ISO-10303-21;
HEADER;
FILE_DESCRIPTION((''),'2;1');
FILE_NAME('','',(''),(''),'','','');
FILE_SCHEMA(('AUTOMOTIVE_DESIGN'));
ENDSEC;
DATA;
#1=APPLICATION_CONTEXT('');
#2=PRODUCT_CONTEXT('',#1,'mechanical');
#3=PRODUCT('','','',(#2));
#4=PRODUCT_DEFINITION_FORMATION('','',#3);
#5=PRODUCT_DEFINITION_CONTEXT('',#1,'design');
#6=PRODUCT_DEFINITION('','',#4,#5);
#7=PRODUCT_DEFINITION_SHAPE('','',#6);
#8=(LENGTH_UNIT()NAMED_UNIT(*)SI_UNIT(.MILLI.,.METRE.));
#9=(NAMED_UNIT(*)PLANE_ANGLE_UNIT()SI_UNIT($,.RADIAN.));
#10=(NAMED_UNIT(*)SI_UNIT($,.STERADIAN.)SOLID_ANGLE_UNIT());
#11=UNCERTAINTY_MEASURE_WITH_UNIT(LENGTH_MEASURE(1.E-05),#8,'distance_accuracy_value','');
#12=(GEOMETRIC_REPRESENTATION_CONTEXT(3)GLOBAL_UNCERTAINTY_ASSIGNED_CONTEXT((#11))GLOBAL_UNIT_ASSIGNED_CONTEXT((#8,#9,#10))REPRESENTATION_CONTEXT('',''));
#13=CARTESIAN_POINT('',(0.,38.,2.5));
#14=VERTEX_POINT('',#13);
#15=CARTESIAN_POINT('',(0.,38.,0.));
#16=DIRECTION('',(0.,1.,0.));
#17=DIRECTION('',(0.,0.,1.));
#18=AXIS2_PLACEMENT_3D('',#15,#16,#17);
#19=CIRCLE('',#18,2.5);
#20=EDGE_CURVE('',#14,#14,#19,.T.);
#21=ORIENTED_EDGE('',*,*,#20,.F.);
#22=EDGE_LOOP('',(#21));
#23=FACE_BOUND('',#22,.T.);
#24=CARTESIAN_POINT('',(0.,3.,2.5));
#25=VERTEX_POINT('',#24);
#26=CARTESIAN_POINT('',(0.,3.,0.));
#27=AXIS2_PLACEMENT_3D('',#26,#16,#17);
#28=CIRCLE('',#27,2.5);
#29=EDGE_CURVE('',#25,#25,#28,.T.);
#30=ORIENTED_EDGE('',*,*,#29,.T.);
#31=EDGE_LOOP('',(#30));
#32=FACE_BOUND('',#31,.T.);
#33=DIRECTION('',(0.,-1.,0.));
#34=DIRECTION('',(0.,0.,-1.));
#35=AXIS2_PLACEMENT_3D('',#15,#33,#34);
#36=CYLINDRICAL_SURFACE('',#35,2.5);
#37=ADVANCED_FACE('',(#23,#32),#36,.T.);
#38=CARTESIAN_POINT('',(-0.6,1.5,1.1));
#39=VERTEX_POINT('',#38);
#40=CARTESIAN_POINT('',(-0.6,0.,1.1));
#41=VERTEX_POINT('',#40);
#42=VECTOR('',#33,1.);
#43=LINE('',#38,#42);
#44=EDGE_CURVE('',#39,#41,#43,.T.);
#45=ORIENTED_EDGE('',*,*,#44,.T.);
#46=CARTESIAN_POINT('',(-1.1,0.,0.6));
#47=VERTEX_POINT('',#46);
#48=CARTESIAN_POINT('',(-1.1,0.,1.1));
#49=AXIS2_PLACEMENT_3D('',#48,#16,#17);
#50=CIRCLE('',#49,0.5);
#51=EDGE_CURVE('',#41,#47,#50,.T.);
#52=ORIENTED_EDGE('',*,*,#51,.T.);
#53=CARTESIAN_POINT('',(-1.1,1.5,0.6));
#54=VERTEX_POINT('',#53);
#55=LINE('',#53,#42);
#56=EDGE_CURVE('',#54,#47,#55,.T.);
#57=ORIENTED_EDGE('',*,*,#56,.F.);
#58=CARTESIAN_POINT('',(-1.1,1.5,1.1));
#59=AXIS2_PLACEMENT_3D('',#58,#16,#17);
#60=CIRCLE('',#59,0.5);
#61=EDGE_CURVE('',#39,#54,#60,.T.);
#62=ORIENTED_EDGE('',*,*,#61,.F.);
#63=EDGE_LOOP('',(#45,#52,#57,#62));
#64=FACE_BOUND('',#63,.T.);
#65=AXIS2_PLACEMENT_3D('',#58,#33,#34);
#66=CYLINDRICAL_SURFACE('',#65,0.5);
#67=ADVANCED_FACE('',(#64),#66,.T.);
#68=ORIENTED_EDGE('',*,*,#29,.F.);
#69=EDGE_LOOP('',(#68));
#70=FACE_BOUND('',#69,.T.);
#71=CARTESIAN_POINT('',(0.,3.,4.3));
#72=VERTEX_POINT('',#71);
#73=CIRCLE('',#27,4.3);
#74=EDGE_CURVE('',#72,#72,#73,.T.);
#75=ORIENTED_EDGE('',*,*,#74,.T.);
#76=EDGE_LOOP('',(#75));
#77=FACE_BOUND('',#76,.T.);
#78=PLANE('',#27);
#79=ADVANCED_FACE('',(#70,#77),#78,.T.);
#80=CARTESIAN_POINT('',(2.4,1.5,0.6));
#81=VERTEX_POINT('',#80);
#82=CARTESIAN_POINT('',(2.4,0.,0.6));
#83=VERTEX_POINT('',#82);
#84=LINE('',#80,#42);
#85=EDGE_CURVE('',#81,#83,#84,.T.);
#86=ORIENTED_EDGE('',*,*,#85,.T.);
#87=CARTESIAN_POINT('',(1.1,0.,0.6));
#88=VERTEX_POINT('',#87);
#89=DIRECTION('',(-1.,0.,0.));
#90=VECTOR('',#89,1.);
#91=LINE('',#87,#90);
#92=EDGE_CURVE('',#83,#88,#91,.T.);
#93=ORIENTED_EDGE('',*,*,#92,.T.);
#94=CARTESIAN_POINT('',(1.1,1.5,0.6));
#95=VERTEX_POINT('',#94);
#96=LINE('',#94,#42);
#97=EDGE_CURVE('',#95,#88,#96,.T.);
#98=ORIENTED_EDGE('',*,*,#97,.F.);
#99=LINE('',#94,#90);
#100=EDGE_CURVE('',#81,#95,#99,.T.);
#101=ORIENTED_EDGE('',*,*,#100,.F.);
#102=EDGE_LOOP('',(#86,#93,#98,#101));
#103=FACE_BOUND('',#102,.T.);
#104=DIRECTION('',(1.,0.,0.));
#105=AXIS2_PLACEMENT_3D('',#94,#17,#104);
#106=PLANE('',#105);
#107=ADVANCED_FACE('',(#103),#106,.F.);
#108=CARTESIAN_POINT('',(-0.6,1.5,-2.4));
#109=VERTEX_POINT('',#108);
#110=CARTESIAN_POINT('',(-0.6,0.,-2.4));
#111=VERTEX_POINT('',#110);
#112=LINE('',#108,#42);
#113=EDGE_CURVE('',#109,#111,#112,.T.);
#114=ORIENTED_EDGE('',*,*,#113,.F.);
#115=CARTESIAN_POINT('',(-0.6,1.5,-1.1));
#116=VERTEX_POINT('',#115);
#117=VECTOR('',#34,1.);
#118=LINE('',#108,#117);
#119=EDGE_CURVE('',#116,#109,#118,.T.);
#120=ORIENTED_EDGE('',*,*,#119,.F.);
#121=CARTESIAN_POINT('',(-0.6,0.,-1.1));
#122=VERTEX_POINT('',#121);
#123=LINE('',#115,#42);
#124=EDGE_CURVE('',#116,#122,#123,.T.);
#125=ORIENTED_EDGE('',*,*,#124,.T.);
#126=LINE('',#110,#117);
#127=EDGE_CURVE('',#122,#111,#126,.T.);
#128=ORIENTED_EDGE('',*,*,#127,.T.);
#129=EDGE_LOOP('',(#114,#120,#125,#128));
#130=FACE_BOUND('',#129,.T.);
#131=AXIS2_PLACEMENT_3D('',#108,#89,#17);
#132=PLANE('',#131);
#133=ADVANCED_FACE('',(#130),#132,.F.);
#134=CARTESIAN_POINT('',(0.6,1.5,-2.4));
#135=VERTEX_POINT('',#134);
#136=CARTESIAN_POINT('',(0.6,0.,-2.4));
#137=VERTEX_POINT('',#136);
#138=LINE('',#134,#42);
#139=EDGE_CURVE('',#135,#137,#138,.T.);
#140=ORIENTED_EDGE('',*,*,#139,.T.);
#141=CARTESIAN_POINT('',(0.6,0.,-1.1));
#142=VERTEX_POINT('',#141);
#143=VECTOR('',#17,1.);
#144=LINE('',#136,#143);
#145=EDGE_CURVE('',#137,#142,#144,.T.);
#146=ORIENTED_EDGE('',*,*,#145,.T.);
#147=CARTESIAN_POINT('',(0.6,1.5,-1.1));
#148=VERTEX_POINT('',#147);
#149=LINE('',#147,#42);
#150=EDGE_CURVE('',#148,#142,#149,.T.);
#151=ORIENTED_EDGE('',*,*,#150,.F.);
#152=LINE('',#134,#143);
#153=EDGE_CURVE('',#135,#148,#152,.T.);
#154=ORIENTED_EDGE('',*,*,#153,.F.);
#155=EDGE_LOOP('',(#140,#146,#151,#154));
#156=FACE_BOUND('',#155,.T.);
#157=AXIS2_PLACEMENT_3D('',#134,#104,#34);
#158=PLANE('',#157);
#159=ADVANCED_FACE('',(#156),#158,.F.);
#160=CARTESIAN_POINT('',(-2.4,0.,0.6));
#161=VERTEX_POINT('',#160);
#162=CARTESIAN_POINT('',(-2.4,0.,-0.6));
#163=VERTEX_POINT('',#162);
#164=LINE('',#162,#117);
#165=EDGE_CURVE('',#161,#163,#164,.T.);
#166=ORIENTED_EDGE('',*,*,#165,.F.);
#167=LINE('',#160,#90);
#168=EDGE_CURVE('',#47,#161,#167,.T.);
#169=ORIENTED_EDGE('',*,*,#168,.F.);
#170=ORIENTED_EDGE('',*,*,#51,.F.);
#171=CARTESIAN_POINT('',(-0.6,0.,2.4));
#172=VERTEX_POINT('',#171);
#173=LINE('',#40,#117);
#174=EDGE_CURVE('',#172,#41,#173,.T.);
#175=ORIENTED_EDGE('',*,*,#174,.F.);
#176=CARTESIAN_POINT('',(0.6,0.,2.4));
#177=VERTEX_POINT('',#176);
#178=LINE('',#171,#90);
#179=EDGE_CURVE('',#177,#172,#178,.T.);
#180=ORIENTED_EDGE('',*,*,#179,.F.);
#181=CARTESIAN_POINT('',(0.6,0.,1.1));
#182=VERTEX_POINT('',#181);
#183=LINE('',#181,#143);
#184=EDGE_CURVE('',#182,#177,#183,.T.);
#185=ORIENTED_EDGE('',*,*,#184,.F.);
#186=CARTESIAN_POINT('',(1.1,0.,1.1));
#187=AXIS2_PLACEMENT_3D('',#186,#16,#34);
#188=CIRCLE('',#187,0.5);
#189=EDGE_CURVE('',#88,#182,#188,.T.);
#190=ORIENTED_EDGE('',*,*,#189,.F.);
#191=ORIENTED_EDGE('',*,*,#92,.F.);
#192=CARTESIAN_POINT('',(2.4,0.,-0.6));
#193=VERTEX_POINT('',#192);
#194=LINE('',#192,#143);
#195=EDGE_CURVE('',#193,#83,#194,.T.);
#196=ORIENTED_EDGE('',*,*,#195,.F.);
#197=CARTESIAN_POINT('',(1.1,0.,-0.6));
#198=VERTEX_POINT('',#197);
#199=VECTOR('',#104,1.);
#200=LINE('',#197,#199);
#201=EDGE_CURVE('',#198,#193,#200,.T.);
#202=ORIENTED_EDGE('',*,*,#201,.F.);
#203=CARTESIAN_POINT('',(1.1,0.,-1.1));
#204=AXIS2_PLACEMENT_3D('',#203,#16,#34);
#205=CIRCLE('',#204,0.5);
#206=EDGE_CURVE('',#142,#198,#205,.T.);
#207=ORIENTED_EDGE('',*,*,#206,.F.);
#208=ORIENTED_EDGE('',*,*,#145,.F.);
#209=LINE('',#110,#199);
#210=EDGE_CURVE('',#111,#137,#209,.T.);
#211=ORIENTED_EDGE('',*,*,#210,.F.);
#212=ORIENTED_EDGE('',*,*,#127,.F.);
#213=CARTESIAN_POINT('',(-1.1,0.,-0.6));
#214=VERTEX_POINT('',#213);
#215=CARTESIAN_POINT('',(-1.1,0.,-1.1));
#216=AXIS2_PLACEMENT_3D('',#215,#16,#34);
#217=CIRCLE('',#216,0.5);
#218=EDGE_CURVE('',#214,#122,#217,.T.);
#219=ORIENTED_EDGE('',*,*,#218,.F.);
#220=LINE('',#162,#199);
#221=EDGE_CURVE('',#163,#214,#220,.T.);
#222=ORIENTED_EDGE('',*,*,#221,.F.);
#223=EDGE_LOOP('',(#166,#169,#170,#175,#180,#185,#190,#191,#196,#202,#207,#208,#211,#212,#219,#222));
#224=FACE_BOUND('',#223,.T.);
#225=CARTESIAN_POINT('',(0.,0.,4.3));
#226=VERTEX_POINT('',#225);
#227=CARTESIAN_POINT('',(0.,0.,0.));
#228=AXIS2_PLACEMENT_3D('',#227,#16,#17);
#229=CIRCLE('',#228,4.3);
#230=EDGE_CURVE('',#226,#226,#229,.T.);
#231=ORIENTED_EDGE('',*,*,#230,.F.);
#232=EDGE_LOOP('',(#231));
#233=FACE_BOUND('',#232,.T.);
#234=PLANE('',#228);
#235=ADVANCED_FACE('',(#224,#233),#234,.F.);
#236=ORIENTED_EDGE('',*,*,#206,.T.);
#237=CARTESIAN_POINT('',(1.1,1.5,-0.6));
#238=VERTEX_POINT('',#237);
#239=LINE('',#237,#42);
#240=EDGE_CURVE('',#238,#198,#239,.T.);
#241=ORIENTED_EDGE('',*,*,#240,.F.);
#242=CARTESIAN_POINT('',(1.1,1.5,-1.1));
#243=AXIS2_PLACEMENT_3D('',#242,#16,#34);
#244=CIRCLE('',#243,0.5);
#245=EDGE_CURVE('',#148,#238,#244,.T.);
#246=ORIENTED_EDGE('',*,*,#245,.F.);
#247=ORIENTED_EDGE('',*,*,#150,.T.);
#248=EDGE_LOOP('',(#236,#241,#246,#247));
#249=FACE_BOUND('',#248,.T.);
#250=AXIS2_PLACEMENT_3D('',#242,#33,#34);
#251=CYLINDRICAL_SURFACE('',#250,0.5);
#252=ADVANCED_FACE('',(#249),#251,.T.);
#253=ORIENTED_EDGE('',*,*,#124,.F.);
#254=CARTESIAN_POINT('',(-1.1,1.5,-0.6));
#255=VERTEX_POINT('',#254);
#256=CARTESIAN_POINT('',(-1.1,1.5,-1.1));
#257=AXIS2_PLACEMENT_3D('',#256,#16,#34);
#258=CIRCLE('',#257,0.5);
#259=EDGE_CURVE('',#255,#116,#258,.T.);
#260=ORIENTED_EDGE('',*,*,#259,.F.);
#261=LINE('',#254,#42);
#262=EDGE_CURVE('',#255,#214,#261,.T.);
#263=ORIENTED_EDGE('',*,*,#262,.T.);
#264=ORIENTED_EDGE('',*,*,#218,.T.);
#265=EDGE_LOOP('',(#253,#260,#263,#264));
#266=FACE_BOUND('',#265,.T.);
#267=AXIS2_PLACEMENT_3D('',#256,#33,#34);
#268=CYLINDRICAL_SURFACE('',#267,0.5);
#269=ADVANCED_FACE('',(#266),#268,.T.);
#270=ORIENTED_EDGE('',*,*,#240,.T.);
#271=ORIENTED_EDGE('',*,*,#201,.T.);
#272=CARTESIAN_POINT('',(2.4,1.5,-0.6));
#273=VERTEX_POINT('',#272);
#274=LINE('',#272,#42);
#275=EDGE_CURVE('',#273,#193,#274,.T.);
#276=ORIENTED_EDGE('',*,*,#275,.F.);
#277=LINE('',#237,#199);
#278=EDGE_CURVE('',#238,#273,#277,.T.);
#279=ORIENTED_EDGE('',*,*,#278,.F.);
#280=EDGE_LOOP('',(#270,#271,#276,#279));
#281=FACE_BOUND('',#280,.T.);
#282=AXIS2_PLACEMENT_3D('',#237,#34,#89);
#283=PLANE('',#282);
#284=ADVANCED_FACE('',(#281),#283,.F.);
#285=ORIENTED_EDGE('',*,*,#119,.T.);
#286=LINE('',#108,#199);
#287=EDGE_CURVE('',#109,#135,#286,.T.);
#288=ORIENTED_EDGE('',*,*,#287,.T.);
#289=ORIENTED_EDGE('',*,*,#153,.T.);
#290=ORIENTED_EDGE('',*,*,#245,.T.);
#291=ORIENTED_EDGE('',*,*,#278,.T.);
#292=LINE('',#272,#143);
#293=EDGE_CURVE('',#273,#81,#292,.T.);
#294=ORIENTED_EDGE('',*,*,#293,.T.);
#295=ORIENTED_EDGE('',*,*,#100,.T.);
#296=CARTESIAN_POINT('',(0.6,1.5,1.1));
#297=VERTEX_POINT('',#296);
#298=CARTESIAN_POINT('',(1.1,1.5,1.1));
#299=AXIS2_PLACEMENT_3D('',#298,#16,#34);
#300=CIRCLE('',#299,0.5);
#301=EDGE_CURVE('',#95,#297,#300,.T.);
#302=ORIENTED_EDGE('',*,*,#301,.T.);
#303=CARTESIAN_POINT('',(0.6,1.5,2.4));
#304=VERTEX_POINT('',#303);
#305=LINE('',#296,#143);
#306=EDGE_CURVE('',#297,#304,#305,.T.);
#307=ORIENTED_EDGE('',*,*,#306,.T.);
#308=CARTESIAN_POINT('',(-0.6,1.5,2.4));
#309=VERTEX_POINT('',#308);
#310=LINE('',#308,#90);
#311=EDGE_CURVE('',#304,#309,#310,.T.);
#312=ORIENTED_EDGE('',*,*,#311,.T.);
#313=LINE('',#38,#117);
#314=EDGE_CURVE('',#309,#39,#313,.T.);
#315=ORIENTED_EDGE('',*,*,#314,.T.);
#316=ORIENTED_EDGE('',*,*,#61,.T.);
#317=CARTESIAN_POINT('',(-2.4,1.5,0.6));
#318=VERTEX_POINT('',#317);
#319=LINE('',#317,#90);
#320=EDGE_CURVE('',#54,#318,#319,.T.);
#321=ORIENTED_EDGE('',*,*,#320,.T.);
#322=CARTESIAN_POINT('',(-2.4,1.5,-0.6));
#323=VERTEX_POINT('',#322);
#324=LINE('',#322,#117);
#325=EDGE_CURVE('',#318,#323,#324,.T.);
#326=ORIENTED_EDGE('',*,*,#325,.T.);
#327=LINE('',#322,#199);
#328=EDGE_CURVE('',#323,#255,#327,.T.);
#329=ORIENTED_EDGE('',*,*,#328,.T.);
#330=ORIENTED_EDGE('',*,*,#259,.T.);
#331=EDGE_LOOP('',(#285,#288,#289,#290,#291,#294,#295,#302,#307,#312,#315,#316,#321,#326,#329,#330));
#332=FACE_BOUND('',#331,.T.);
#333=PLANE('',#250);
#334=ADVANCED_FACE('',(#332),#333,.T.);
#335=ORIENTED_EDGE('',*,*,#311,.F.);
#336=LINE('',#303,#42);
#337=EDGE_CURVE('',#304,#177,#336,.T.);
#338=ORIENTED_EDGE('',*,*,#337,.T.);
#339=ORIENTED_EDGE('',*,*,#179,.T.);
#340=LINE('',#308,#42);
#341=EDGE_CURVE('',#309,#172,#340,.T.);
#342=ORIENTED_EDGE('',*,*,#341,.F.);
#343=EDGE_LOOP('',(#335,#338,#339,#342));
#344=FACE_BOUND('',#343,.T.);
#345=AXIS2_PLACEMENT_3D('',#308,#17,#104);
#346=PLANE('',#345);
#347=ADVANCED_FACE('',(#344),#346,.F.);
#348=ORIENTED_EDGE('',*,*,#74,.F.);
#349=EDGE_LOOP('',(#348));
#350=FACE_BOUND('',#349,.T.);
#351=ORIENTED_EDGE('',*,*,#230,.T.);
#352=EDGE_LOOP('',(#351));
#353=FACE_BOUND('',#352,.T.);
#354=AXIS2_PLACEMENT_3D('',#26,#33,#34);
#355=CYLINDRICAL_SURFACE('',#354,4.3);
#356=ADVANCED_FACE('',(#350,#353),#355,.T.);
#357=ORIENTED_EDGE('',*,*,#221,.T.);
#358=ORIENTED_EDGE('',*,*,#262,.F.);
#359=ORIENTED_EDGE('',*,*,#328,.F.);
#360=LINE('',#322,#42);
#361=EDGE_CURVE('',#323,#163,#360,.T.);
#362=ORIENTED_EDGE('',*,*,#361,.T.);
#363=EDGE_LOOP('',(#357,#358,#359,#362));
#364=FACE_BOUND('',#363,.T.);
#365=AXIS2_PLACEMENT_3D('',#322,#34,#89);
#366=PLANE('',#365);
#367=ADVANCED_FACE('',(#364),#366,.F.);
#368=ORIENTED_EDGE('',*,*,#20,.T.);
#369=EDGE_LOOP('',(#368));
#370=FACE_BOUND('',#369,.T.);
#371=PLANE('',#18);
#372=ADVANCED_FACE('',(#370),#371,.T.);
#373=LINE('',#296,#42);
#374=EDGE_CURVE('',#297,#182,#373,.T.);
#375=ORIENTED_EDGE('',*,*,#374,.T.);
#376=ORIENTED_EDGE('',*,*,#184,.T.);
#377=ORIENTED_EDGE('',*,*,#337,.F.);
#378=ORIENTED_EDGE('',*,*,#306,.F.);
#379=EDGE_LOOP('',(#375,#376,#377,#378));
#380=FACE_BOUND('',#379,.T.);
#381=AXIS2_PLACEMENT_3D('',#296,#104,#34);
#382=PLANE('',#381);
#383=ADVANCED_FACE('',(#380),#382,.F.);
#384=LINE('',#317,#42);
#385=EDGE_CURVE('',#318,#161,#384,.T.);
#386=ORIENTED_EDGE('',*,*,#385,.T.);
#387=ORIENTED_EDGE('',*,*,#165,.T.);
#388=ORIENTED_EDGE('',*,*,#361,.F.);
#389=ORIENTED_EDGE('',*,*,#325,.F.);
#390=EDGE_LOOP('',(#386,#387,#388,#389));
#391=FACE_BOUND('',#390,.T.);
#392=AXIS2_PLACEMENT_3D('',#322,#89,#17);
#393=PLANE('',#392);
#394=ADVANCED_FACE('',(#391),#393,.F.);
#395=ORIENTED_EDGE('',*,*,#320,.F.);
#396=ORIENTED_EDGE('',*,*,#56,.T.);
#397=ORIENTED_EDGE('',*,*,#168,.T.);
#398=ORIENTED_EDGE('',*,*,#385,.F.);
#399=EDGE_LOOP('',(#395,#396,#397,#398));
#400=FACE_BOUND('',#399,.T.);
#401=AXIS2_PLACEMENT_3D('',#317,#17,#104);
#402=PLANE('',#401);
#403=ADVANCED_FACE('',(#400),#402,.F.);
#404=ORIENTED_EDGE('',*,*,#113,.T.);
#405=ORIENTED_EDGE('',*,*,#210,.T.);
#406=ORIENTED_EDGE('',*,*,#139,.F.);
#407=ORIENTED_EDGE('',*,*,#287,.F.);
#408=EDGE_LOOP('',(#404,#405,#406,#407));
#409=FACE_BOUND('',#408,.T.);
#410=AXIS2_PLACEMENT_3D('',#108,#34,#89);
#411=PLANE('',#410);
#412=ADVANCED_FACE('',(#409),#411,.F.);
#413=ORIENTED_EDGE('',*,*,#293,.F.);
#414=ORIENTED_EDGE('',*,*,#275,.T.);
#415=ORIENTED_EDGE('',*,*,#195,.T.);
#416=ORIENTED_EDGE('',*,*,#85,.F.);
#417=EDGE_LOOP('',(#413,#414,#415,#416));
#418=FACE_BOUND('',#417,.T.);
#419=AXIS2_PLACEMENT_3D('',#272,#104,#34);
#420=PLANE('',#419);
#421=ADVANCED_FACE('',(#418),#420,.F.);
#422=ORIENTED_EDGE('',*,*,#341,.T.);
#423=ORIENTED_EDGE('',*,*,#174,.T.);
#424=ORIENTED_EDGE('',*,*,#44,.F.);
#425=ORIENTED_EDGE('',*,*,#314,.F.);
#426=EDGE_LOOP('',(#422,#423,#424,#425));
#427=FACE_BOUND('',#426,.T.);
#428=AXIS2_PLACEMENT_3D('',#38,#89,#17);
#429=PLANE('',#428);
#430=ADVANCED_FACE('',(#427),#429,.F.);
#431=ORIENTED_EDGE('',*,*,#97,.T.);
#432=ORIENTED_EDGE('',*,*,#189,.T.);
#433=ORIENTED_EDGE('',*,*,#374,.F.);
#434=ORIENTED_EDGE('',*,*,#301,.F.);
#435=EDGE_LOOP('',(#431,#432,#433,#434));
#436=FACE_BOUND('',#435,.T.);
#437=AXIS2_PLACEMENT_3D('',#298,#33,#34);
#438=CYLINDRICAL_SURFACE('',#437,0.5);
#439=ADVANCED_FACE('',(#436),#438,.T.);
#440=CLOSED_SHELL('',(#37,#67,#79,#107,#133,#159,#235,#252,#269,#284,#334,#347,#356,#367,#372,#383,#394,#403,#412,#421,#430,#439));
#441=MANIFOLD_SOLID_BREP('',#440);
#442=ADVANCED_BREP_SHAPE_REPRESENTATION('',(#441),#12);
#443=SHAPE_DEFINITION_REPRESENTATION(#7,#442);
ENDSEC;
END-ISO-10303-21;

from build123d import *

# Parameters (mm, degrees)
SKETCH_1_R          = 4.3
EXTRUDE_1_DEPTH     = 3
SKETCH_2_R          = 2.5
EXTRUDE_2_DEPTH     = 35
CUT_EXTRUDE_1_DEPTH = 1.5


with BuildPart() as part:
    # 草图1 → 凸台-拉伸1 (new body)
    with BuildSketch(Plane(origin=(0, 0, 0), x_dir=(1, 0, 0), z_dir=(0, 1, 0))):
        Circle(SKETCH_1_R)
    extrude(amount=EXTRUDE_1_DEPTH)

    # 草图2 → 凸台-拉伸2 (add)
    with BuildSketch(Plane(origin=(0, 3, 0), x_dir=(1, 0, 0), z_dir=(0, 1, 0))):
        Circle(SKETCH_2_R)
    extrude(amount=EXTRUDE_2_DEPTH)

    # 草图3 → 切除-拉伸1 (cut)
    with BuildSketch(Plane.XZ):
        with BuildLine():
            Line((-0.6, 1.1), (-0.6, 2.4))
            Line((-0.6, 2.4), (0.6, 2.4))
            Line((0.6, 2.4), (0.6, 1.1))
            ThreePointArc((0.6, 1.1), (0.746446609, 0.746446609), (1.1, 0.6))
            Line((1.1, 0.6), (2.4, 0.6))
            Line((2.4, 0.6), (2.4, -0.6))
            Line((2.4, -0.6), (1.1, -0.6))
            ThreePointArc((1.1, -0.6), (0.746446609, -0.746446609), (0.6, -1.1))
            Line((0.6, -1.1), (0.6, -2.4))
            Line((0.6, -2.4), (-0.6, -2.4))
            Line((-0.6, -2.4), (-0.6, -1.1))
            ThreePointArc((-0.6, -1.1), (-0.746446609, -0.746446609), (-1.1, -0.6))
            Line((-1.1, -0.6), (-2.4, -0.6))
            Line((-2.4, -0.6), (-2.4, 0.6))
            Line((-2.4, 0.6), (-1.1, 0.6))
            ThreePointArc((-1.1, 0.6), (-0.746446609, 0.746446609), (-0.6, 1.1))
        make_face()
    extrude(amount=-CUT_EXTRUDE_1_DEPTH, mode=Mode.SUBTRACT)


solid = part.part
